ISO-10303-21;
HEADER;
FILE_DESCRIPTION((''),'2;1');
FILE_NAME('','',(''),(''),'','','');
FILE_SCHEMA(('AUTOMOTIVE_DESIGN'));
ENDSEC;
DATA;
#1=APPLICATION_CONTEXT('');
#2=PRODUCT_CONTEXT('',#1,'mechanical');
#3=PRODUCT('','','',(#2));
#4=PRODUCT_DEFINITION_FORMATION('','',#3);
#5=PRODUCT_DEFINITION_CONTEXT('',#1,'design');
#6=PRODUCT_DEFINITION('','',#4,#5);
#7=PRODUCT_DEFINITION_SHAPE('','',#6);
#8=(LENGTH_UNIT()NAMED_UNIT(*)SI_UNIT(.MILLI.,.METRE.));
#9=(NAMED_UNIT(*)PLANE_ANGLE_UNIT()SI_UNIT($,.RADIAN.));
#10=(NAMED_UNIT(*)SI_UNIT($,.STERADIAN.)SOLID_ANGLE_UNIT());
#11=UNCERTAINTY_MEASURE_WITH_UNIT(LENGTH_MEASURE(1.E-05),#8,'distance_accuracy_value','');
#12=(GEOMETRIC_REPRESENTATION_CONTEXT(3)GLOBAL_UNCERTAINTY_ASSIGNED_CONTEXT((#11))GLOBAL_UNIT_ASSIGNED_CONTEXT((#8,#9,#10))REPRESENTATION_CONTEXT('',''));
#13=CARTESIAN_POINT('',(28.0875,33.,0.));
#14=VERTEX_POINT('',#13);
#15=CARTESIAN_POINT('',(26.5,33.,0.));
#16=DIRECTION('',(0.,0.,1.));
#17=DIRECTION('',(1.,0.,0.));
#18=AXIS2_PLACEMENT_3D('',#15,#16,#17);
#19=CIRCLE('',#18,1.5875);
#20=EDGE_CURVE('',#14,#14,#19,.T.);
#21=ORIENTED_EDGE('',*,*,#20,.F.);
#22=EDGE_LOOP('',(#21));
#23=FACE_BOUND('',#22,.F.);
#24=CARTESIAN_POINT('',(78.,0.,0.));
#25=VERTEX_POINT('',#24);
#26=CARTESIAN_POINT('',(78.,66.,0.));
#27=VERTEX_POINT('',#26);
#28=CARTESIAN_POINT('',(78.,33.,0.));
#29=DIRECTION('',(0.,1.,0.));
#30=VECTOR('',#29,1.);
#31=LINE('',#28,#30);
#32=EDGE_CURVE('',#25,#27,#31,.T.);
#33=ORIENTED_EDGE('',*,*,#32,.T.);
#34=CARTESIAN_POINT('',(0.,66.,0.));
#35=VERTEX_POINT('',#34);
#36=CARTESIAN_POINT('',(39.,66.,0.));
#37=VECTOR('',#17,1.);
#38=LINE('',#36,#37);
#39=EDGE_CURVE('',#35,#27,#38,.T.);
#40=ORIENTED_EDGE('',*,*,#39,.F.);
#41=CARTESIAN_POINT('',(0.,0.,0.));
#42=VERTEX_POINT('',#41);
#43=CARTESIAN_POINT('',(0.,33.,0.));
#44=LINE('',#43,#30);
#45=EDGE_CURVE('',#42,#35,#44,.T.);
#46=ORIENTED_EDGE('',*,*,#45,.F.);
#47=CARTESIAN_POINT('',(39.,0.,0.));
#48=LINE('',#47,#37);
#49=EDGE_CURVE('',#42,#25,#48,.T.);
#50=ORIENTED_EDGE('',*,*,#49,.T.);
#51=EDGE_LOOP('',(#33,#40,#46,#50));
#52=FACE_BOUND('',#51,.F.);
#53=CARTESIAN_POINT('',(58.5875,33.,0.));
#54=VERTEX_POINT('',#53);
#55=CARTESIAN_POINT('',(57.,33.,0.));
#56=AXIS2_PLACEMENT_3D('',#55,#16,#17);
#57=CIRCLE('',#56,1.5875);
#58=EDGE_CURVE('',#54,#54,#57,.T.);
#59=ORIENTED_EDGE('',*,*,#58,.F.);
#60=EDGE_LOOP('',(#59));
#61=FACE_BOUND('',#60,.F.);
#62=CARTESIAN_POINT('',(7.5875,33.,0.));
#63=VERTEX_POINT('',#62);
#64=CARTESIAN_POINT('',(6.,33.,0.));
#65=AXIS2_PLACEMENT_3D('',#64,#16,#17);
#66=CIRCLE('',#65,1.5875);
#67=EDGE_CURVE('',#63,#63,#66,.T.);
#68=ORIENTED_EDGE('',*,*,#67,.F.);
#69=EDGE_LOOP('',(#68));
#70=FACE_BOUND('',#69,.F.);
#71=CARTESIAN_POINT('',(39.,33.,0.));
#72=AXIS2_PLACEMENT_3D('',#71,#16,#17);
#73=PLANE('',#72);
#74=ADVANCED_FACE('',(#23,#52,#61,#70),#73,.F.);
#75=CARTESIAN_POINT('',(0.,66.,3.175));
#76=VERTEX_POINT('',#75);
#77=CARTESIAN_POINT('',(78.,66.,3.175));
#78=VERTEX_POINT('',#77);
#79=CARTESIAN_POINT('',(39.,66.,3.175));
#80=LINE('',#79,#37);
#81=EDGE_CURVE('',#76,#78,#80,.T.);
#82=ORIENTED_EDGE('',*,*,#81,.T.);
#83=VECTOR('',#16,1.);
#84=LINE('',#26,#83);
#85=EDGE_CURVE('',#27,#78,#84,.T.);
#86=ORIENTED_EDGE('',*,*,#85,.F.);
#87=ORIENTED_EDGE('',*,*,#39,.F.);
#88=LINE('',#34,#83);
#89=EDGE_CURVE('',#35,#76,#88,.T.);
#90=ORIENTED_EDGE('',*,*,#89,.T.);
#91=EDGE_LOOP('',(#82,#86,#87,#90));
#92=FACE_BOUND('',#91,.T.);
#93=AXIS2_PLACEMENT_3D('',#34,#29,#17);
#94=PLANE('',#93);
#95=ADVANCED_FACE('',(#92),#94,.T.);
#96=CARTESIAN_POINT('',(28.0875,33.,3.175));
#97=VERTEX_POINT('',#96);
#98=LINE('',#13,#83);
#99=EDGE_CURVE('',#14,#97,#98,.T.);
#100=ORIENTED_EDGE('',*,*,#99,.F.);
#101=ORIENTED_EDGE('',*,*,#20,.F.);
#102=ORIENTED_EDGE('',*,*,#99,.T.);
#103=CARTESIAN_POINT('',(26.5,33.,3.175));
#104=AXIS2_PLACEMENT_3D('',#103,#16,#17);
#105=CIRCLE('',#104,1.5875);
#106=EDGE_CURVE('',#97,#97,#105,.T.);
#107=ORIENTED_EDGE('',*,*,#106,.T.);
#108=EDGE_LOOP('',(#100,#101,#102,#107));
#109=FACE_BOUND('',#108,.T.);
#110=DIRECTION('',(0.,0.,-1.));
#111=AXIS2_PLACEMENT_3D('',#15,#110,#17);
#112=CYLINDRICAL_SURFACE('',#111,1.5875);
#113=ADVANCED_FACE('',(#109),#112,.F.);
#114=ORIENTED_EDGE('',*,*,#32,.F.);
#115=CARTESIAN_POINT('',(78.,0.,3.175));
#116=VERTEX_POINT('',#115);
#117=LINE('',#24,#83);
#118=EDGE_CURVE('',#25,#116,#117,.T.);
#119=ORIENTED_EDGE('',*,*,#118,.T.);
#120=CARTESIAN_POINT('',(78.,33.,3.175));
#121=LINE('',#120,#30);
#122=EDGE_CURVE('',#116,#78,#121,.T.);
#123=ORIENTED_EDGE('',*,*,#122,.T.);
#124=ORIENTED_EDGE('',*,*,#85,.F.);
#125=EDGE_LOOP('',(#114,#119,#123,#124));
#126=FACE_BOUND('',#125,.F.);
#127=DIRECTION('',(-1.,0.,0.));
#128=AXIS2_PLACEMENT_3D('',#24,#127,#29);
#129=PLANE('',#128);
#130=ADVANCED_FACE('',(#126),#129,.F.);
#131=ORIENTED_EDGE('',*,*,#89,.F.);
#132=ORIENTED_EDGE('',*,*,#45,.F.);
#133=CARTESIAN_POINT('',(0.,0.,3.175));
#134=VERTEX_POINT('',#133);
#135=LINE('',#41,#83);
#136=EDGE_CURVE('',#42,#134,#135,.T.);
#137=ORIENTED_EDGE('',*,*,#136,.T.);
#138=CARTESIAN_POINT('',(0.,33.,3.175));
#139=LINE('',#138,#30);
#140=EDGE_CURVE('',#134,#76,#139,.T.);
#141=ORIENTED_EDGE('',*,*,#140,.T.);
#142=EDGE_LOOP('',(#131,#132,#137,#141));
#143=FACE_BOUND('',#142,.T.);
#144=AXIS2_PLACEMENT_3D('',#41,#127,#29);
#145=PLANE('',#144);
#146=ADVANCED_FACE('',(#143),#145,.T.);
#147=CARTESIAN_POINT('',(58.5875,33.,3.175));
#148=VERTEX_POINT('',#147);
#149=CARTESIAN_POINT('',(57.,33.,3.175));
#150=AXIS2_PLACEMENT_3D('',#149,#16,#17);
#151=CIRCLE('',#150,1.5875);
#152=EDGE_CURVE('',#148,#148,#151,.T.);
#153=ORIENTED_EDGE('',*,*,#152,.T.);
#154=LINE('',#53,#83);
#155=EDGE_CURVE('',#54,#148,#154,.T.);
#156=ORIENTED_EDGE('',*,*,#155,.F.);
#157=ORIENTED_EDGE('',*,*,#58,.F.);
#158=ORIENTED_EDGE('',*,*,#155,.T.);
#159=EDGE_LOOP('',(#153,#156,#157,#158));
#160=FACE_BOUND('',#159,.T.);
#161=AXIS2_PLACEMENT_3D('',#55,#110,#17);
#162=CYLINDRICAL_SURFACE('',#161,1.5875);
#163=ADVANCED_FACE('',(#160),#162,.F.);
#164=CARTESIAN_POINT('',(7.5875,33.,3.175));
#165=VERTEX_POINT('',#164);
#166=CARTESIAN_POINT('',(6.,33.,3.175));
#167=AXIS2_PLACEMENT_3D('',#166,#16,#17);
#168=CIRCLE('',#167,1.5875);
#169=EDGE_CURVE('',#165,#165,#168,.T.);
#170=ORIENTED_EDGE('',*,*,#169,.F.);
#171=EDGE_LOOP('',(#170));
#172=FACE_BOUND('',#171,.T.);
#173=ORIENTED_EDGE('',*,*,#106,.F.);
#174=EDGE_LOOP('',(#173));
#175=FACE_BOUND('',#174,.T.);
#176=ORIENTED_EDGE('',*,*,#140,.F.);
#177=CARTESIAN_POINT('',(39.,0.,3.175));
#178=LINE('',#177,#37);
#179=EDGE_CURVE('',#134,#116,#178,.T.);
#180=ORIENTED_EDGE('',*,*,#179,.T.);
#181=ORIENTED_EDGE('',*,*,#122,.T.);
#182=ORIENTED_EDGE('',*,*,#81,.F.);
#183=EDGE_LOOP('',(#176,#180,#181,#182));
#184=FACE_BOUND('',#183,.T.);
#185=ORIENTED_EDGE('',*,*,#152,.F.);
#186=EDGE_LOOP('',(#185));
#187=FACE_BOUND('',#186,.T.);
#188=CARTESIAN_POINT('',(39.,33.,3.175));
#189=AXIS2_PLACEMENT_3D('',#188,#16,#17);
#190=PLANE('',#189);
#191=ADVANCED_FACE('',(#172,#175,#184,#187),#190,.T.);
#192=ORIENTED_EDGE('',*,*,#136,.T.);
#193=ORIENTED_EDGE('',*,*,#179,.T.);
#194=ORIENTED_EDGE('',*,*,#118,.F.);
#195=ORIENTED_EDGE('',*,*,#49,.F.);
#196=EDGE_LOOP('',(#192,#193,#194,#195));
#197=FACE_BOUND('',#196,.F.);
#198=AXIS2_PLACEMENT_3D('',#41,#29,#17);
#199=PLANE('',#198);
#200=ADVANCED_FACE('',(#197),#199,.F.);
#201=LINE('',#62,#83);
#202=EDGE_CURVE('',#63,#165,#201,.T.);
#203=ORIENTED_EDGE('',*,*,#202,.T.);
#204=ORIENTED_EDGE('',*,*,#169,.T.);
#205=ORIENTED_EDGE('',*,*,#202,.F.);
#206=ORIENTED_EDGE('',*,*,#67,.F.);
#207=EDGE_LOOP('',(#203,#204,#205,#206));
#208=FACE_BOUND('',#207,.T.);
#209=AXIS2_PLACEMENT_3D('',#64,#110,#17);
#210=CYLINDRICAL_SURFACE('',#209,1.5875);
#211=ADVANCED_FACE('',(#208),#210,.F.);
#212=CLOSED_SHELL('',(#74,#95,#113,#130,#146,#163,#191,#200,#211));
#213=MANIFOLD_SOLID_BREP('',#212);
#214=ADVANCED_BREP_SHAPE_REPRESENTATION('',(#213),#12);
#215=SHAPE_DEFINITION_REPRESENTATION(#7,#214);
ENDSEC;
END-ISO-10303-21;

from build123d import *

# Parameters (mm, degrees)
F0_W     = 78
F0_H     = 66
F0_R     = 1.5875
F1_DEPTH = 3.175


with BuildPart() as f1:
    # F0 (on Top) → F1 (new body)
    with BuildSketch(Plane.XY):
        with Locations((39, 33)):
            Rectangle(F0_W, F0_H)
        with Locations((6, 33)):
            Circle(F0_R, mode=Mode.SUBTRACT)
        with Locations((26.5, 33)):
            Circle(F0_R, mode=Mode.SUBTRACT)
        with Locations((57, 33)):
            Circle(F0_R, mode=Mode.SUBTRACT)
    extrude(amount=F1_DEPTH)


solid = f1.part
